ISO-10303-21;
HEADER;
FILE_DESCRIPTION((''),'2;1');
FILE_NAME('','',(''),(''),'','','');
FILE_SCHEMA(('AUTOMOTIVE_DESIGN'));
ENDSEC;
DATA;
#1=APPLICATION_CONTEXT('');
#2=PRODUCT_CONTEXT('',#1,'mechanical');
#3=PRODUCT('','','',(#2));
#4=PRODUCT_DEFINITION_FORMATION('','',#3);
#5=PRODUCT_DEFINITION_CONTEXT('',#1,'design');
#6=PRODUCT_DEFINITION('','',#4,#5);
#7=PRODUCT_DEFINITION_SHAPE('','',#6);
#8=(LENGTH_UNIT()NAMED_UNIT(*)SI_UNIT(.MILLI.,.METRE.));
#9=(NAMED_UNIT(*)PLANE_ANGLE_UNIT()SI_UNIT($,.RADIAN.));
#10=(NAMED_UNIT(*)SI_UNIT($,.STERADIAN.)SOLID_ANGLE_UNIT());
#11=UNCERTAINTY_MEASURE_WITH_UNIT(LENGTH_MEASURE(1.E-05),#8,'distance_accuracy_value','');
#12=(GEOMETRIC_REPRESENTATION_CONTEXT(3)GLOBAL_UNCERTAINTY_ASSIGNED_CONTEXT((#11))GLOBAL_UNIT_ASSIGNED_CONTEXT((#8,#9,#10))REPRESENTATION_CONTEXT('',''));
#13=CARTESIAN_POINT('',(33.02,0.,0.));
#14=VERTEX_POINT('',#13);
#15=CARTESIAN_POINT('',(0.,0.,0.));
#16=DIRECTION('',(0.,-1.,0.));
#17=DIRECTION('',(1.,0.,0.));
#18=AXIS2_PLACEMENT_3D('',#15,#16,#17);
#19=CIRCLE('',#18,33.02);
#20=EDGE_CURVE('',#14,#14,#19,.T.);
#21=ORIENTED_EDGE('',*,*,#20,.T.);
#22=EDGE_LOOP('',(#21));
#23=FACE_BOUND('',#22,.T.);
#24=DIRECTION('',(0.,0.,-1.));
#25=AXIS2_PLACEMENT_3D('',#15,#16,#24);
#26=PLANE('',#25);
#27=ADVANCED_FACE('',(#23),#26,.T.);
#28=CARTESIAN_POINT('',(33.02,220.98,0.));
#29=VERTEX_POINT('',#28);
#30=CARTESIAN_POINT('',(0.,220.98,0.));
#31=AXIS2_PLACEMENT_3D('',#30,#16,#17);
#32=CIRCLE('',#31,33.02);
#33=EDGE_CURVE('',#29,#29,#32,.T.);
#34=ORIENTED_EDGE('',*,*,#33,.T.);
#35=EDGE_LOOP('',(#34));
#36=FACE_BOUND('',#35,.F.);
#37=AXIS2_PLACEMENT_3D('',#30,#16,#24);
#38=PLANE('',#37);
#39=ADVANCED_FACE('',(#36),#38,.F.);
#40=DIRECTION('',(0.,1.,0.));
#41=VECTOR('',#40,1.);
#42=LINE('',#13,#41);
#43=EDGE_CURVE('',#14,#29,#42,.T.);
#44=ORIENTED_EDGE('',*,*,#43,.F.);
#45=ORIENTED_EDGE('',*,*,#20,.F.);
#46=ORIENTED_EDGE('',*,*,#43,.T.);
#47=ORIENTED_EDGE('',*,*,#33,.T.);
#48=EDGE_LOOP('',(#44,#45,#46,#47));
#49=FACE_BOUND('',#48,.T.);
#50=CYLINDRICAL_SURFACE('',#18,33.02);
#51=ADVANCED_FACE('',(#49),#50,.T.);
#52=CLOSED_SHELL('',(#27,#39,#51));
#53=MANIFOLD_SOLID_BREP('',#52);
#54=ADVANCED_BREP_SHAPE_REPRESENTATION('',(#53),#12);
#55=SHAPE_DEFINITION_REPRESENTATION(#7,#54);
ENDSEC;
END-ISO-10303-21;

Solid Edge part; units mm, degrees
sketch "Sketch1" plane through (0, 0, 0) normal (0, -1, 0) x (1, 0, 0)
  circle A0 centre (0, 0) radius 33.02
  dimension "D1" = 66.04
extrude "Protrusion1" add sketch "Sketch1" against normal blind 220.98
properties part number "SPaRC - 002"
